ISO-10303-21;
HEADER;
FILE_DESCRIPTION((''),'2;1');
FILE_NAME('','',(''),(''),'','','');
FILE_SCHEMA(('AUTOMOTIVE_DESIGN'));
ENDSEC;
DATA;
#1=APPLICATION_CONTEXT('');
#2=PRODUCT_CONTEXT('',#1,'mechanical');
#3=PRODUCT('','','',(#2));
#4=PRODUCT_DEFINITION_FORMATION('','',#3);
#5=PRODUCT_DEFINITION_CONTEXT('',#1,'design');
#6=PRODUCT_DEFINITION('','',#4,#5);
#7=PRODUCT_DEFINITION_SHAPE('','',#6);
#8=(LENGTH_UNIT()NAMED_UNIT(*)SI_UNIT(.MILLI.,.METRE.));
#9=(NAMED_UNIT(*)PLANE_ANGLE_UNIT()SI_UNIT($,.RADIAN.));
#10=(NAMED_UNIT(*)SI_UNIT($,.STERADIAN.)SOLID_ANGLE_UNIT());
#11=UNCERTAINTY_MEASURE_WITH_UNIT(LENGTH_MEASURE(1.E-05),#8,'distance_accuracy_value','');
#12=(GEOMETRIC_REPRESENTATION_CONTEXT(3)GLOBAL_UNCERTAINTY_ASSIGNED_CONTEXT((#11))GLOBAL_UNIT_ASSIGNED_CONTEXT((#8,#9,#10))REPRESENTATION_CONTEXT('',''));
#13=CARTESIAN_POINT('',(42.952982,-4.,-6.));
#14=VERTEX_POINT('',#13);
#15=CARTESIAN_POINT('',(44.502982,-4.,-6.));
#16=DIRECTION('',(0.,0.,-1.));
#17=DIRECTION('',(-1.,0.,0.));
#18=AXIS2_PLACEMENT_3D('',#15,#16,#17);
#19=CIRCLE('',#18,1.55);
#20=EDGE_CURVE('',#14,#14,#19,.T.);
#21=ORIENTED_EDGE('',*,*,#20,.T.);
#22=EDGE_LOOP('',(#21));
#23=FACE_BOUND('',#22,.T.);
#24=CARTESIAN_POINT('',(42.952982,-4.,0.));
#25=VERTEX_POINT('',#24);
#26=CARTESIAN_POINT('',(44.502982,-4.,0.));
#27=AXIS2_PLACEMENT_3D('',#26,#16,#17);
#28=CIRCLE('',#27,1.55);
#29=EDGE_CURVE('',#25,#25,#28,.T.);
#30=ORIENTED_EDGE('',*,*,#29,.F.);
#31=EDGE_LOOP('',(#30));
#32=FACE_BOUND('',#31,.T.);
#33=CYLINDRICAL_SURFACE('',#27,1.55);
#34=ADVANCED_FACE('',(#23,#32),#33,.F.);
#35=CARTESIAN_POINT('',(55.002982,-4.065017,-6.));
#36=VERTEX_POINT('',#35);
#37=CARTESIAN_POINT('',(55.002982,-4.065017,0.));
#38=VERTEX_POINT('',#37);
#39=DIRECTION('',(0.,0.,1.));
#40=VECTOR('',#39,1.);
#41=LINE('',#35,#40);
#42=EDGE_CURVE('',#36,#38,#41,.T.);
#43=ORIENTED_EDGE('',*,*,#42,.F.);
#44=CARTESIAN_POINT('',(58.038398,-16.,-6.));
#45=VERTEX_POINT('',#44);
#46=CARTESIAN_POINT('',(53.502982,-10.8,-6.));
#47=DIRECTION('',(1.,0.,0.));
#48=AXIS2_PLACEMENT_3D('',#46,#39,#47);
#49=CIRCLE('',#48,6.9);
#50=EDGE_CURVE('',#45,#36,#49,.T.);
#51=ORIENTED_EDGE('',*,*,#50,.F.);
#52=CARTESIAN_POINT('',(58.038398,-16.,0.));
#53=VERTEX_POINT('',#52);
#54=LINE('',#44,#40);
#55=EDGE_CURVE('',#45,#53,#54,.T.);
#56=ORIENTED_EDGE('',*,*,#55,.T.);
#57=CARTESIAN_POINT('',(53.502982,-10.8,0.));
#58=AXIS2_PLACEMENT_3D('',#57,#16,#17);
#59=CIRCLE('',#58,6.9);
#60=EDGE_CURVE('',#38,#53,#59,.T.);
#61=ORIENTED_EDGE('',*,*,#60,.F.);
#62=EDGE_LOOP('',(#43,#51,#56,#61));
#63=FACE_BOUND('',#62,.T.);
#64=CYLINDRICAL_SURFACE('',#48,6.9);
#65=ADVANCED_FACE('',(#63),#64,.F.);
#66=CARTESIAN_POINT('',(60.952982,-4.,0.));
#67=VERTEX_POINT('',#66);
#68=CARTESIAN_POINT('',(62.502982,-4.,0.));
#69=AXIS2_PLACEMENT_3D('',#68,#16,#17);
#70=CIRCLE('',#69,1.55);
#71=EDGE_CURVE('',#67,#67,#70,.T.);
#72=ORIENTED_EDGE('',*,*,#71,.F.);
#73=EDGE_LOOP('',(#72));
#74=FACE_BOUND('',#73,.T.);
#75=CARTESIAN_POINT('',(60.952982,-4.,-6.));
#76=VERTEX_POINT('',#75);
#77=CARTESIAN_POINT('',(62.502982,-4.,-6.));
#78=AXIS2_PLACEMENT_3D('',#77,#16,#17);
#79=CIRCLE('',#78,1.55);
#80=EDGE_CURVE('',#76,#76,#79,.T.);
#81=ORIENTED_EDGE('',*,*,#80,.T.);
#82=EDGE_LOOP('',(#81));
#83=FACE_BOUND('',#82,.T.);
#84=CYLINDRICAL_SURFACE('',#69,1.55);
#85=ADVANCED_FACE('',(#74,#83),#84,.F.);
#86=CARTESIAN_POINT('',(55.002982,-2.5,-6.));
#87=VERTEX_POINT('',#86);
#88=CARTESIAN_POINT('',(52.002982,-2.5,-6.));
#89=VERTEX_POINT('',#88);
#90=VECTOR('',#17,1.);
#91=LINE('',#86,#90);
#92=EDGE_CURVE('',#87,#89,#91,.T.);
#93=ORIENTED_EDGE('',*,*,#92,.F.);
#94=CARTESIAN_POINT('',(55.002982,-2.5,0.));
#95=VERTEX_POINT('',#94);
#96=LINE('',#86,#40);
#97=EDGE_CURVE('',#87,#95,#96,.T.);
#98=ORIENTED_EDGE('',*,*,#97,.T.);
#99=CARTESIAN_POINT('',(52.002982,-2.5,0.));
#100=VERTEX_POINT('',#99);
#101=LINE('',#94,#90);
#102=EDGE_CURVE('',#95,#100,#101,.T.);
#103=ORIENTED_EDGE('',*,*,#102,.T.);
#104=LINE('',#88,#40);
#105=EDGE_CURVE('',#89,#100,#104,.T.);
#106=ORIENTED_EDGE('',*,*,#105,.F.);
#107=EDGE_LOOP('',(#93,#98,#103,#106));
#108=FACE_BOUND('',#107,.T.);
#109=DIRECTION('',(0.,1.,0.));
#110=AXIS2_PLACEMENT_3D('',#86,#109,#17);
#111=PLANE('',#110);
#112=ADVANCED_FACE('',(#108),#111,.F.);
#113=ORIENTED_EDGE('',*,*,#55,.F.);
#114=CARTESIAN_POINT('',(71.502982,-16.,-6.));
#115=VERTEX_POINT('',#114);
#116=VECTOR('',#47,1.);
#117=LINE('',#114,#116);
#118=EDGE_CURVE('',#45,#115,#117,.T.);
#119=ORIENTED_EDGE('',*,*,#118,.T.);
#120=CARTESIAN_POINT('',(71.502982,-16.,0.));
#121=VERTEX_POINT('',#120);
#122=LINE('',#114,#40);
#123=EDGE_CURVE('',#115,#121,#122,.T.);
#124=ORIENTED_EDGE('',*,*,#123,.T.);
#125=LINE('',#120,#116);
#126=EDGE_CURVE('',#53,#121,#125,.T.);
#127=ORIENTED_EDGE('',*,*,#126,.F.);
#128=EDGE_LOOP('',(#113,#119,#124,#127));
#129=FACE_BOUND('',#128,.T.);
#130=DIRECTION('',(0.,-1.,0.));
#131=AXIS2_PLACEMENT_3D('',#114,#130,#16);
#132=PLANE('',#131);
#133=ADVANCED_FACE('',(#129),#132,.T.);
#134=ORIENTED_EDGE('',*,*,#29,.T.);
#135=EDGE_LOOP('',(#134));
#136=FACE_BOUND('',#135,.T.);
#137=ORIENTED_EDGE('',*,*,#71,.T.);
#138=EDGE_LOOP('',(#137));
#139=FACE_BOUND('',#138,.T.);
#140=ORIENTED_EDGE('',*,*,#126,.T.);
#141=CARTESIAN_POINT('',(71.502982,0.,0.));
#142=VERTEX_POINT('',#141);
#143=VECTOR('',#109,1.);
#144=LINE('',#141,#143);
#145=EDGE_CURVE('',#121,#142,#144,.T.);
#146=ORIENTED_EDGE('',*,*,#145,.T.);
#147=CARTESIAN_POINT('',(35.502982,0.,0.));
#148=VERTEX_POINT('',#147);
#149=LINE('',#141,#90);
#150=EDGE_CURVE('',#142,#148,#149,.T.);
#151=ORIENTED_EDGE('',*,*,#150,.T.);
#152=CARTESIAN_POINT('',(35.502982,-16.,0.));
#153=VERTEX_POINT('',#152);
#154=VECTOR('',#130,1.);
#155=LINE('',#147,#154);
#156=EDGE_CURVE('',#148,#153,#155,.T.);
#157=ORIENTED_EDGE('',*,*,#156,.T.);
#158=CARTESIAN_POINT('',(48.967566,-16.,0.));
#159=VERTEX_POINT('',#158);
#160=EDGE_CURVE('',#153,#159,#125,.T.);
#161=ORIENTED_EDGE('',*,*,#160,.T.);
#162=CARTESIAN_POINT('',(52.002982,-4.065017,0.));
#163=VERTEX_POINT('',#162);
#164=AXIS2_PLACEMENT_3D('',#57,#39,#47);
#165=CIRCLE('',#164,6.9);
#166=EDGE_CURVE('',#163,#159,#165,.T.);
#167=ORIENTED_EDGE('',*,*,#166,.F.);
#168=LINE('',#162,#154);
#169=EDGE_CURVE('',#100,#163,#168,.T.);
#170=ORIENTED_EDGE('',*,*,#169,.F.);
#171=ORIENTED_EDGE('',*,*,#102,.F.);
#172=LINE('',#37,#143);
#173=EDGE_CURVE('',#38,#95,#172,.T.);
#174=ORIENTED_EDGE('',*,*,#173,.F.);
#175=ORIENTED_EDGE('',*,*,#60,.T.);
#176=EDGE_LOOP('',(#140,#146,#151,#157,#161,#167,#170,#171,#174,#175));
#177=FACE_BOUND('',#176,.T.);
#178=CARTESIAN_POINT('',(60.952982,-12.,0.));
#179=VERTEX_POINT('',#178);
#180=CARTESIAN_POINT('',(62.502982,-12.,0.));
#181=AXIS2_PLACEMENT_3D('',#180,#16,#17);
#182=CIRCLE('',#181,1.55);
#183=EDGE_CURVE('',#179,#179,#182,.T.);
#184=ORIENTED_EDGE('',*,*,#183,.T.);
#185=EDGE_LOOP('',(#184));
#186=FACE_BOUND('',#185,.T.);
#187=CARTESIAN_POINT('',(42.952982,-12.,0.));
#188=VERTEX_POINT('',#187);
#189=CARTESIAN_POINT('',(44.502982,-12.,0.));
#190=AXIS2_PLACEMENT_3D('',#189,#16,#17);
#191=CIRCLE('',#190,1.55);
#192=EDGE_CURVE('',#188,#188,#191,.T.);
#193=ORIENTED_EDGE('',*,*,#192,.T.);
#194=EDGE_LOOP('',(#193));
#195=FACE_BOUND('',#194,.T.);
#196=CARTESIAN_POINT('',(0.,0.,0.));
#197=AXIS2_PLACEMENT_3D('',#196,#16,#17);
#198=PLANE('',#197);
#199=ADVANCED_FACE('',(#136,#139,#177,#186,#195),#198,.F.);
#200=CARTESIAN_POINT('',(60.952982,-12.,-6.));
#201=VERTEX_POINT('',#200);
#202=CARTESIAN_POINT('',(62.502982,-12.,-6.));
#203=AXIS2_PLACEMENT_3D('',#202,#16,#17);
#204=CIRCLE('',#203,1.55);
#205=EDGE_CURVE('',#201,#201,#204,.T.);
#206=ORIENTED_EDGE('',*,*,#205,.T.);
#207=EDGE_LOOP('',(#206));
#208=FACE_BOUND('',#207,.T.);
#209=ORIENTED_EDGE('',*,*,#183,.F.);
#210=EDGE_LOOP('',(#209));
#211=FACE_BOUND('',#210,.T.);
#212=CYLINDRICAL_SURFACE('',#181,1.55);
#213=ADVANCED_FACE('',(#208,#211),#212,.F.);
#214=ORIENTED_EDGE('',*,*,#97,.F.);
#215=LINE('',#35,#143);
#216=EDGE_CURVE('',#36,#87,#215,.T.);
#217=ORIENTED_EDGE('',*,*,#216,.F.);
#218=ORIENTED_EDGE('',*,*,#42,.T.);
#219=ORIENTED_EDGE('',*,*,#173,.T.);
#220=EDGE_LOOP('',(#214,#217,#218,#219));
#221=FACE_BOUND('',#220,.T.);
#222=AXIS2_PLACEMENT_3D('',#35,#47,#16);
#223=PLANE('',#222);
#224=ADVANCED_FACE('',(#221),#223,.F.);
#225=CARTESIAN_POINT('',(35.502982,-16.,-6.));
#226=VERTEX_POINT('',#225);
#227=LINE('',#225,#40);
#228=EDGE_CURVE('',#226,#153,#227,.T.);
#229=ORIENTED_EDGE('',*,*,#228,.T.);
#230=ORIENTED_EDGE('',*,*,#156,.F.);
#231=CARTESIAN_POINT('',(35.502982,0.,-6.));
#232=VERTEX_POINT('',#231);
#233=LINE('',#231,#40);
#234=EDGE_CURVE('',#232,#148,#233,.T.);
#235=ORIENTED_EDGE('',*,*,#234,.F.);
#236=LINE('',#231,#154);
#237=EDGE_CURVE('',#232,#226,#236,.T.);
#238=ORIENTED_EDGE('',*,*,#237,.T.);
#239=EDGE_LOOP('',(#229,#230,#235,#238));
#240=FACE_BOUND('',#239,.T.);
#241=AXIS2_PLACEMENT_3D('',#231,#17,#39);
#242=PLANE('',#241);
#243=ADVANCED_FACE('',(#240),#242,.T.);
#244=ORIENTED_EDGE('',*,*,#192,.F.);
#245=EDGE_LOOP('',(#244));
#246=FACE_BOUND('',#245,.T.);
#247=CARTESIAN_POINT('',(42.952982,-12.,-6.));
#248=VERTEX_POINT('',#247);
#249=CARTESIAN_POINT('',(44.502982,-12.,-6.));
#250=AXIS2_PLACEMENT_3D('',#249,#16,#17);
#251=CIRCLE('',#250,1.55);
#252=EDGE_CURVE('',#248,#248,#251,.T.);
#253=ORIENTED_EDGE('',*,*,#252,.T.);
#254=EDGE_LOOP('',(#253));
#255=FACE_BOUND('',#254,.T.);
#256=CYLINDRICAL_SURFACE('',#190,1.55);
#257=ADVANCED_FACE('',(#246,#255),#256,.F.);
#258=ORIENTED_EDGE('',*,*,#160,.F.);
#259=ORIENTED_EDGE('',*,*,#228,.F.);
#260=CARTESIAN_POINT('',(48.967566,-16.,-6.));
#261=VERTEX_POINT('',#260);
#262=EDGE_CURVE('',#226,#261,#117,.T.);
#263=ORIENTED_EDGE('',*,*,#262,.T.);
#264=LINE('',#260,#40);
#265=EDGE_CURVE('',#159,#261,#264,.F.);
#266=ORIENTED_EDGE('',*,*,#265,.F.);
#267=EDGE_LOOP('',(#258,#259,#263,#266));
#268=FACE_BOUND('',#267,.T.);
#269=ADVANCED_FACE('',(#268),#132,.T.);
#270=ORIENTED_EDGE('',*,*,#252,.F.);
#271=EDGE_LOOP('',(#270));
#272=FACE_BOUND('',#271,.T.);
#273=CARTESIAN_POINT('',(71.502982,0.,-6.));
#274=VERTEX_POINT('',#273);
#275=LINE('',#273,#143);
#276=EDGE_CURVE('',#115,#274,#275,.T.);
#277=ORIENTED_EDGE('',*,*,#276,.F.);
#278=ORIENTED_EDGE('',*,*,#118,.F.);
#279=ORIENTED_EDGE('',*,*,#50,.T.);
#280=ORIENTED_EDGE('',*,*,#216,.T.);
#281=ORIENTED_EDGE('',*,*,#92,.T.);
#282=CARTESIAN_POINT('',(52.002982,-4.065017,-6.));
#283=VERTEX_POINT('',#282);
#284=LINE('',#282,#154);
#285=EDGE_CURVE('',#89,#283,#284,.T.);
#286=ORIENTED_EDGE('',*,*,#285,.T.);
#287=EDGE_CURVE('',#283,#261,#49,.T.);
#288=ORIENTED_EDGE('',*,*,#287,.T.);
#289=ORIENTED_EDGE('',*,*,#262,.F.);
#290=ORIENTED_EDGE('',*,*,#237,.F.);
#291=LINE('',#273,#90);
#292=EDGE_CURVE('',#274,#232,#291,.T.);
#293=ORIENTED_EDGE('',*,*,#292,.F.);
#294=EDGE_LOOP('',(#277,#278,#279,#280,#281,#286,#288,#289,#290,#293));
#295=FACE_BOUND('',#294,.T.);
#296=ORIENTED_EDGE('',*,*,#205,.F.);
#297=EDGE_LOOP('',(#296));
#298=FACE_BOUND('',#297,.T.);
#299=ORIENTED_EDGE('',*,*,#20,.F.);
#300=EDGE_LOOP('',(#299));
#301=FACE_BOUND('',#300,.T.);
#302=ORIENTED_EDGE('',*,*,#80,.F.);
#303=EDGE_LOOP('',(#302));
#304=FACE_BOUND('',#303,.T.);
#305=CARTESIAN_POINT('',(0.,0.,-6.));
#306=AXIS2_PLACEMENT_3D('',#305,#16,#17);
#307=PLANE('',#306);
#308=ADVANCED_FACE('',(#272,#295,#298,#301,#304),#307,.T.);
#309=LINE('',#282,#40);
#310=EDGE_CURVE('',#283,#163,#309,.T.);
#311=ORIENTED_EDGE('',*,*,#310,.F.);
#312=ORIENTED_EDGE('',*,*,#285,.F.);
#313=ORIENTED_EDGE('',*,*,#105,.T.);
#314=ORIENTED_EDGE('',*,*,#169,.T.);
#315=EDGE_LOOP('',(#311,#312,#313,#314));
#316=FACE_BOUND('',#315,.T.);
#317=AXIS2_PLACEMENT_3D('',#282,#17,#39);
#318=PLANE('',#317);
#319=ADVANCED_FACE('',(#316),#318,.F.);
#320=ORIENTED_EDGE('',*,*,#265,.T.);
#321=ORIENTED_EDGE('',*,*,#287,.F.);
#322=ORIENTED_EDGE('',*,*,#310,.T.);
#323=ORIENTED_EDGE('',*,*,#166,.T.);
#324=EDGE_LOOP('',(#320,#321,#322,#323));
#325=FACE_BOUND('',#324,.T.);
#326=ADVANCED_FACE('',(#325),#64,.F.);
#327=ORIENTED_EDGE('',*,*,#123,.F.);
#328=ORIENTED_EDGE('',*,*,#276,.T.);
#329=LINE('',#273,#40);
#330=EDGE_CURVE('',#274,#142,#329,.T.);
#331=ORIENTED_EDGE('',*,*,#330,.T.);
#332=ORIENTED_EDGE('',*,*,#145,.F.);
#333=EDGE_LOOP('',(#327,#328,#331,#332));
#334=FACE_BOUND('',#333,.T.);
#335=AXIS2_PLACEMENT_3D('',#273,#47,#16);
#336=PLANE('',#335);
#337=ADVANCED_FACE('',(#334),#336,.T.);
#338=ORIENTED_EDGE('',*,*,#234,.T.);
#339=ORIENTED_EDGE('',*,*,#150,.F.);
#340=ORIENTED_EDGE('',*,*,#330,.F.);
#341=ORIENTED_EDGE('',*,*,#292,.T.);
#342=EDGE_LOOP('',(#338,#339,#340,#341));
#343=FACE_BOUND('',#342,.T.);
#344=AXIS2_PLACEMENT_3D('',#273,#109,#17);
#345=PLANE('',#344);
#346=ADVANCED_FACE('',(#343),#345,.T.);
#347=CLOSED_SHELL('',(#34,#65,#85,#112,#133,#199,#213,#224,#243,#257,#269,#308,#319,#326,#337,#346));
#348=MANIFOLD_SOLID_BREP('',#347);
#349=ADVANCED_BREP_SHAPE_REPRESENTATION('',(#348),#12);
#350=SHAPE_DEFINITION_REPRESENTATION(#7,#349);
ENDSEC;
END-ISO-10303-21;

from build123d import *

# Parameters (mm, degrees)
SZKIC1_W                    = 36
SZKIC1_H                    = 16
DODANIE_WYCI_GNI_CIE1_DEPTH = 6
WYTNIJ_WYCI_GNI_CIE1_DEPTH  = 6
SZKIC3_R                    = 1.55
WYTNIJ_WYCI_GNI_CIE2_DEPTH  = 74.51650454


with BuildPart() as part:
    # Szkic1 → Dodanie-wyciągnięcie1 (new body)
    with BuildSketch(Plane.XY):
        with Locations((53.502982034, -8)):
            Rectangle(SZKIC1_W, SZKIC1_H)
    extrude(amount=-DODANIE_WYCI_GNI_CIE1_DEPTH)

    # Szkic2 → Wytnij-wyciągnięcie1 (cut)
    with BuildSketch(Plane.XY):
        with BuildLine():
            Line((55.002982034, -4.065016704), (55.002982034, -2.5))
            Line((55.002982034, -2.5), (52.002982034, -2.5))
            Line((52.002982034, -2.5), (52.002982034, -4.065016704))
            ThreePointArc((52.002982034, -4.065016704), (46.727022487, -9.497551457), (49.612982034, -16.498938498))
            Line((49.612982034, -16.498938498), (49.612982034, -16))
            Line((49.612982034, -16), (57.392982034, -16))
            Line((57.392982034, -16), (57.392982034, -16.498938498))
            ThreePointArc((57.392982034, -16.498938498), (60.278941582, -9.497551457), (55.002982034, -4.065016704))
        make_face()
    extrude(amount=-WYTNIJ_WYCI_GNI_CIE1_DEPTH, mode=Mode.SUBTRACT)

    # Szkic3 → Wytnij-wyciągnięcie2 (cut, through all)
    with BuildSketch(Plane(origin=(0, 0, -6), x_dir=(-1, 0, 0), z_dir=(0, 0, -1))):
        with Locations((-44.502982035, -12)):
            Circle(SZKIC3_R)
        with Locations((-44.502982035, -4)):
            Circle(SZKIC3_R)
        with Locations((-62.502982035, -4)):
            Circle(SZKIC3_R)
        with Locations((-62.502982035, -12)):
            Circle(SZKIC3_R)
    extrude(amount=-WYTNIJ_WYCI_GNI_CIE2_DEPTH, mode=Mode.SUBTRACT)


solid = part.part
